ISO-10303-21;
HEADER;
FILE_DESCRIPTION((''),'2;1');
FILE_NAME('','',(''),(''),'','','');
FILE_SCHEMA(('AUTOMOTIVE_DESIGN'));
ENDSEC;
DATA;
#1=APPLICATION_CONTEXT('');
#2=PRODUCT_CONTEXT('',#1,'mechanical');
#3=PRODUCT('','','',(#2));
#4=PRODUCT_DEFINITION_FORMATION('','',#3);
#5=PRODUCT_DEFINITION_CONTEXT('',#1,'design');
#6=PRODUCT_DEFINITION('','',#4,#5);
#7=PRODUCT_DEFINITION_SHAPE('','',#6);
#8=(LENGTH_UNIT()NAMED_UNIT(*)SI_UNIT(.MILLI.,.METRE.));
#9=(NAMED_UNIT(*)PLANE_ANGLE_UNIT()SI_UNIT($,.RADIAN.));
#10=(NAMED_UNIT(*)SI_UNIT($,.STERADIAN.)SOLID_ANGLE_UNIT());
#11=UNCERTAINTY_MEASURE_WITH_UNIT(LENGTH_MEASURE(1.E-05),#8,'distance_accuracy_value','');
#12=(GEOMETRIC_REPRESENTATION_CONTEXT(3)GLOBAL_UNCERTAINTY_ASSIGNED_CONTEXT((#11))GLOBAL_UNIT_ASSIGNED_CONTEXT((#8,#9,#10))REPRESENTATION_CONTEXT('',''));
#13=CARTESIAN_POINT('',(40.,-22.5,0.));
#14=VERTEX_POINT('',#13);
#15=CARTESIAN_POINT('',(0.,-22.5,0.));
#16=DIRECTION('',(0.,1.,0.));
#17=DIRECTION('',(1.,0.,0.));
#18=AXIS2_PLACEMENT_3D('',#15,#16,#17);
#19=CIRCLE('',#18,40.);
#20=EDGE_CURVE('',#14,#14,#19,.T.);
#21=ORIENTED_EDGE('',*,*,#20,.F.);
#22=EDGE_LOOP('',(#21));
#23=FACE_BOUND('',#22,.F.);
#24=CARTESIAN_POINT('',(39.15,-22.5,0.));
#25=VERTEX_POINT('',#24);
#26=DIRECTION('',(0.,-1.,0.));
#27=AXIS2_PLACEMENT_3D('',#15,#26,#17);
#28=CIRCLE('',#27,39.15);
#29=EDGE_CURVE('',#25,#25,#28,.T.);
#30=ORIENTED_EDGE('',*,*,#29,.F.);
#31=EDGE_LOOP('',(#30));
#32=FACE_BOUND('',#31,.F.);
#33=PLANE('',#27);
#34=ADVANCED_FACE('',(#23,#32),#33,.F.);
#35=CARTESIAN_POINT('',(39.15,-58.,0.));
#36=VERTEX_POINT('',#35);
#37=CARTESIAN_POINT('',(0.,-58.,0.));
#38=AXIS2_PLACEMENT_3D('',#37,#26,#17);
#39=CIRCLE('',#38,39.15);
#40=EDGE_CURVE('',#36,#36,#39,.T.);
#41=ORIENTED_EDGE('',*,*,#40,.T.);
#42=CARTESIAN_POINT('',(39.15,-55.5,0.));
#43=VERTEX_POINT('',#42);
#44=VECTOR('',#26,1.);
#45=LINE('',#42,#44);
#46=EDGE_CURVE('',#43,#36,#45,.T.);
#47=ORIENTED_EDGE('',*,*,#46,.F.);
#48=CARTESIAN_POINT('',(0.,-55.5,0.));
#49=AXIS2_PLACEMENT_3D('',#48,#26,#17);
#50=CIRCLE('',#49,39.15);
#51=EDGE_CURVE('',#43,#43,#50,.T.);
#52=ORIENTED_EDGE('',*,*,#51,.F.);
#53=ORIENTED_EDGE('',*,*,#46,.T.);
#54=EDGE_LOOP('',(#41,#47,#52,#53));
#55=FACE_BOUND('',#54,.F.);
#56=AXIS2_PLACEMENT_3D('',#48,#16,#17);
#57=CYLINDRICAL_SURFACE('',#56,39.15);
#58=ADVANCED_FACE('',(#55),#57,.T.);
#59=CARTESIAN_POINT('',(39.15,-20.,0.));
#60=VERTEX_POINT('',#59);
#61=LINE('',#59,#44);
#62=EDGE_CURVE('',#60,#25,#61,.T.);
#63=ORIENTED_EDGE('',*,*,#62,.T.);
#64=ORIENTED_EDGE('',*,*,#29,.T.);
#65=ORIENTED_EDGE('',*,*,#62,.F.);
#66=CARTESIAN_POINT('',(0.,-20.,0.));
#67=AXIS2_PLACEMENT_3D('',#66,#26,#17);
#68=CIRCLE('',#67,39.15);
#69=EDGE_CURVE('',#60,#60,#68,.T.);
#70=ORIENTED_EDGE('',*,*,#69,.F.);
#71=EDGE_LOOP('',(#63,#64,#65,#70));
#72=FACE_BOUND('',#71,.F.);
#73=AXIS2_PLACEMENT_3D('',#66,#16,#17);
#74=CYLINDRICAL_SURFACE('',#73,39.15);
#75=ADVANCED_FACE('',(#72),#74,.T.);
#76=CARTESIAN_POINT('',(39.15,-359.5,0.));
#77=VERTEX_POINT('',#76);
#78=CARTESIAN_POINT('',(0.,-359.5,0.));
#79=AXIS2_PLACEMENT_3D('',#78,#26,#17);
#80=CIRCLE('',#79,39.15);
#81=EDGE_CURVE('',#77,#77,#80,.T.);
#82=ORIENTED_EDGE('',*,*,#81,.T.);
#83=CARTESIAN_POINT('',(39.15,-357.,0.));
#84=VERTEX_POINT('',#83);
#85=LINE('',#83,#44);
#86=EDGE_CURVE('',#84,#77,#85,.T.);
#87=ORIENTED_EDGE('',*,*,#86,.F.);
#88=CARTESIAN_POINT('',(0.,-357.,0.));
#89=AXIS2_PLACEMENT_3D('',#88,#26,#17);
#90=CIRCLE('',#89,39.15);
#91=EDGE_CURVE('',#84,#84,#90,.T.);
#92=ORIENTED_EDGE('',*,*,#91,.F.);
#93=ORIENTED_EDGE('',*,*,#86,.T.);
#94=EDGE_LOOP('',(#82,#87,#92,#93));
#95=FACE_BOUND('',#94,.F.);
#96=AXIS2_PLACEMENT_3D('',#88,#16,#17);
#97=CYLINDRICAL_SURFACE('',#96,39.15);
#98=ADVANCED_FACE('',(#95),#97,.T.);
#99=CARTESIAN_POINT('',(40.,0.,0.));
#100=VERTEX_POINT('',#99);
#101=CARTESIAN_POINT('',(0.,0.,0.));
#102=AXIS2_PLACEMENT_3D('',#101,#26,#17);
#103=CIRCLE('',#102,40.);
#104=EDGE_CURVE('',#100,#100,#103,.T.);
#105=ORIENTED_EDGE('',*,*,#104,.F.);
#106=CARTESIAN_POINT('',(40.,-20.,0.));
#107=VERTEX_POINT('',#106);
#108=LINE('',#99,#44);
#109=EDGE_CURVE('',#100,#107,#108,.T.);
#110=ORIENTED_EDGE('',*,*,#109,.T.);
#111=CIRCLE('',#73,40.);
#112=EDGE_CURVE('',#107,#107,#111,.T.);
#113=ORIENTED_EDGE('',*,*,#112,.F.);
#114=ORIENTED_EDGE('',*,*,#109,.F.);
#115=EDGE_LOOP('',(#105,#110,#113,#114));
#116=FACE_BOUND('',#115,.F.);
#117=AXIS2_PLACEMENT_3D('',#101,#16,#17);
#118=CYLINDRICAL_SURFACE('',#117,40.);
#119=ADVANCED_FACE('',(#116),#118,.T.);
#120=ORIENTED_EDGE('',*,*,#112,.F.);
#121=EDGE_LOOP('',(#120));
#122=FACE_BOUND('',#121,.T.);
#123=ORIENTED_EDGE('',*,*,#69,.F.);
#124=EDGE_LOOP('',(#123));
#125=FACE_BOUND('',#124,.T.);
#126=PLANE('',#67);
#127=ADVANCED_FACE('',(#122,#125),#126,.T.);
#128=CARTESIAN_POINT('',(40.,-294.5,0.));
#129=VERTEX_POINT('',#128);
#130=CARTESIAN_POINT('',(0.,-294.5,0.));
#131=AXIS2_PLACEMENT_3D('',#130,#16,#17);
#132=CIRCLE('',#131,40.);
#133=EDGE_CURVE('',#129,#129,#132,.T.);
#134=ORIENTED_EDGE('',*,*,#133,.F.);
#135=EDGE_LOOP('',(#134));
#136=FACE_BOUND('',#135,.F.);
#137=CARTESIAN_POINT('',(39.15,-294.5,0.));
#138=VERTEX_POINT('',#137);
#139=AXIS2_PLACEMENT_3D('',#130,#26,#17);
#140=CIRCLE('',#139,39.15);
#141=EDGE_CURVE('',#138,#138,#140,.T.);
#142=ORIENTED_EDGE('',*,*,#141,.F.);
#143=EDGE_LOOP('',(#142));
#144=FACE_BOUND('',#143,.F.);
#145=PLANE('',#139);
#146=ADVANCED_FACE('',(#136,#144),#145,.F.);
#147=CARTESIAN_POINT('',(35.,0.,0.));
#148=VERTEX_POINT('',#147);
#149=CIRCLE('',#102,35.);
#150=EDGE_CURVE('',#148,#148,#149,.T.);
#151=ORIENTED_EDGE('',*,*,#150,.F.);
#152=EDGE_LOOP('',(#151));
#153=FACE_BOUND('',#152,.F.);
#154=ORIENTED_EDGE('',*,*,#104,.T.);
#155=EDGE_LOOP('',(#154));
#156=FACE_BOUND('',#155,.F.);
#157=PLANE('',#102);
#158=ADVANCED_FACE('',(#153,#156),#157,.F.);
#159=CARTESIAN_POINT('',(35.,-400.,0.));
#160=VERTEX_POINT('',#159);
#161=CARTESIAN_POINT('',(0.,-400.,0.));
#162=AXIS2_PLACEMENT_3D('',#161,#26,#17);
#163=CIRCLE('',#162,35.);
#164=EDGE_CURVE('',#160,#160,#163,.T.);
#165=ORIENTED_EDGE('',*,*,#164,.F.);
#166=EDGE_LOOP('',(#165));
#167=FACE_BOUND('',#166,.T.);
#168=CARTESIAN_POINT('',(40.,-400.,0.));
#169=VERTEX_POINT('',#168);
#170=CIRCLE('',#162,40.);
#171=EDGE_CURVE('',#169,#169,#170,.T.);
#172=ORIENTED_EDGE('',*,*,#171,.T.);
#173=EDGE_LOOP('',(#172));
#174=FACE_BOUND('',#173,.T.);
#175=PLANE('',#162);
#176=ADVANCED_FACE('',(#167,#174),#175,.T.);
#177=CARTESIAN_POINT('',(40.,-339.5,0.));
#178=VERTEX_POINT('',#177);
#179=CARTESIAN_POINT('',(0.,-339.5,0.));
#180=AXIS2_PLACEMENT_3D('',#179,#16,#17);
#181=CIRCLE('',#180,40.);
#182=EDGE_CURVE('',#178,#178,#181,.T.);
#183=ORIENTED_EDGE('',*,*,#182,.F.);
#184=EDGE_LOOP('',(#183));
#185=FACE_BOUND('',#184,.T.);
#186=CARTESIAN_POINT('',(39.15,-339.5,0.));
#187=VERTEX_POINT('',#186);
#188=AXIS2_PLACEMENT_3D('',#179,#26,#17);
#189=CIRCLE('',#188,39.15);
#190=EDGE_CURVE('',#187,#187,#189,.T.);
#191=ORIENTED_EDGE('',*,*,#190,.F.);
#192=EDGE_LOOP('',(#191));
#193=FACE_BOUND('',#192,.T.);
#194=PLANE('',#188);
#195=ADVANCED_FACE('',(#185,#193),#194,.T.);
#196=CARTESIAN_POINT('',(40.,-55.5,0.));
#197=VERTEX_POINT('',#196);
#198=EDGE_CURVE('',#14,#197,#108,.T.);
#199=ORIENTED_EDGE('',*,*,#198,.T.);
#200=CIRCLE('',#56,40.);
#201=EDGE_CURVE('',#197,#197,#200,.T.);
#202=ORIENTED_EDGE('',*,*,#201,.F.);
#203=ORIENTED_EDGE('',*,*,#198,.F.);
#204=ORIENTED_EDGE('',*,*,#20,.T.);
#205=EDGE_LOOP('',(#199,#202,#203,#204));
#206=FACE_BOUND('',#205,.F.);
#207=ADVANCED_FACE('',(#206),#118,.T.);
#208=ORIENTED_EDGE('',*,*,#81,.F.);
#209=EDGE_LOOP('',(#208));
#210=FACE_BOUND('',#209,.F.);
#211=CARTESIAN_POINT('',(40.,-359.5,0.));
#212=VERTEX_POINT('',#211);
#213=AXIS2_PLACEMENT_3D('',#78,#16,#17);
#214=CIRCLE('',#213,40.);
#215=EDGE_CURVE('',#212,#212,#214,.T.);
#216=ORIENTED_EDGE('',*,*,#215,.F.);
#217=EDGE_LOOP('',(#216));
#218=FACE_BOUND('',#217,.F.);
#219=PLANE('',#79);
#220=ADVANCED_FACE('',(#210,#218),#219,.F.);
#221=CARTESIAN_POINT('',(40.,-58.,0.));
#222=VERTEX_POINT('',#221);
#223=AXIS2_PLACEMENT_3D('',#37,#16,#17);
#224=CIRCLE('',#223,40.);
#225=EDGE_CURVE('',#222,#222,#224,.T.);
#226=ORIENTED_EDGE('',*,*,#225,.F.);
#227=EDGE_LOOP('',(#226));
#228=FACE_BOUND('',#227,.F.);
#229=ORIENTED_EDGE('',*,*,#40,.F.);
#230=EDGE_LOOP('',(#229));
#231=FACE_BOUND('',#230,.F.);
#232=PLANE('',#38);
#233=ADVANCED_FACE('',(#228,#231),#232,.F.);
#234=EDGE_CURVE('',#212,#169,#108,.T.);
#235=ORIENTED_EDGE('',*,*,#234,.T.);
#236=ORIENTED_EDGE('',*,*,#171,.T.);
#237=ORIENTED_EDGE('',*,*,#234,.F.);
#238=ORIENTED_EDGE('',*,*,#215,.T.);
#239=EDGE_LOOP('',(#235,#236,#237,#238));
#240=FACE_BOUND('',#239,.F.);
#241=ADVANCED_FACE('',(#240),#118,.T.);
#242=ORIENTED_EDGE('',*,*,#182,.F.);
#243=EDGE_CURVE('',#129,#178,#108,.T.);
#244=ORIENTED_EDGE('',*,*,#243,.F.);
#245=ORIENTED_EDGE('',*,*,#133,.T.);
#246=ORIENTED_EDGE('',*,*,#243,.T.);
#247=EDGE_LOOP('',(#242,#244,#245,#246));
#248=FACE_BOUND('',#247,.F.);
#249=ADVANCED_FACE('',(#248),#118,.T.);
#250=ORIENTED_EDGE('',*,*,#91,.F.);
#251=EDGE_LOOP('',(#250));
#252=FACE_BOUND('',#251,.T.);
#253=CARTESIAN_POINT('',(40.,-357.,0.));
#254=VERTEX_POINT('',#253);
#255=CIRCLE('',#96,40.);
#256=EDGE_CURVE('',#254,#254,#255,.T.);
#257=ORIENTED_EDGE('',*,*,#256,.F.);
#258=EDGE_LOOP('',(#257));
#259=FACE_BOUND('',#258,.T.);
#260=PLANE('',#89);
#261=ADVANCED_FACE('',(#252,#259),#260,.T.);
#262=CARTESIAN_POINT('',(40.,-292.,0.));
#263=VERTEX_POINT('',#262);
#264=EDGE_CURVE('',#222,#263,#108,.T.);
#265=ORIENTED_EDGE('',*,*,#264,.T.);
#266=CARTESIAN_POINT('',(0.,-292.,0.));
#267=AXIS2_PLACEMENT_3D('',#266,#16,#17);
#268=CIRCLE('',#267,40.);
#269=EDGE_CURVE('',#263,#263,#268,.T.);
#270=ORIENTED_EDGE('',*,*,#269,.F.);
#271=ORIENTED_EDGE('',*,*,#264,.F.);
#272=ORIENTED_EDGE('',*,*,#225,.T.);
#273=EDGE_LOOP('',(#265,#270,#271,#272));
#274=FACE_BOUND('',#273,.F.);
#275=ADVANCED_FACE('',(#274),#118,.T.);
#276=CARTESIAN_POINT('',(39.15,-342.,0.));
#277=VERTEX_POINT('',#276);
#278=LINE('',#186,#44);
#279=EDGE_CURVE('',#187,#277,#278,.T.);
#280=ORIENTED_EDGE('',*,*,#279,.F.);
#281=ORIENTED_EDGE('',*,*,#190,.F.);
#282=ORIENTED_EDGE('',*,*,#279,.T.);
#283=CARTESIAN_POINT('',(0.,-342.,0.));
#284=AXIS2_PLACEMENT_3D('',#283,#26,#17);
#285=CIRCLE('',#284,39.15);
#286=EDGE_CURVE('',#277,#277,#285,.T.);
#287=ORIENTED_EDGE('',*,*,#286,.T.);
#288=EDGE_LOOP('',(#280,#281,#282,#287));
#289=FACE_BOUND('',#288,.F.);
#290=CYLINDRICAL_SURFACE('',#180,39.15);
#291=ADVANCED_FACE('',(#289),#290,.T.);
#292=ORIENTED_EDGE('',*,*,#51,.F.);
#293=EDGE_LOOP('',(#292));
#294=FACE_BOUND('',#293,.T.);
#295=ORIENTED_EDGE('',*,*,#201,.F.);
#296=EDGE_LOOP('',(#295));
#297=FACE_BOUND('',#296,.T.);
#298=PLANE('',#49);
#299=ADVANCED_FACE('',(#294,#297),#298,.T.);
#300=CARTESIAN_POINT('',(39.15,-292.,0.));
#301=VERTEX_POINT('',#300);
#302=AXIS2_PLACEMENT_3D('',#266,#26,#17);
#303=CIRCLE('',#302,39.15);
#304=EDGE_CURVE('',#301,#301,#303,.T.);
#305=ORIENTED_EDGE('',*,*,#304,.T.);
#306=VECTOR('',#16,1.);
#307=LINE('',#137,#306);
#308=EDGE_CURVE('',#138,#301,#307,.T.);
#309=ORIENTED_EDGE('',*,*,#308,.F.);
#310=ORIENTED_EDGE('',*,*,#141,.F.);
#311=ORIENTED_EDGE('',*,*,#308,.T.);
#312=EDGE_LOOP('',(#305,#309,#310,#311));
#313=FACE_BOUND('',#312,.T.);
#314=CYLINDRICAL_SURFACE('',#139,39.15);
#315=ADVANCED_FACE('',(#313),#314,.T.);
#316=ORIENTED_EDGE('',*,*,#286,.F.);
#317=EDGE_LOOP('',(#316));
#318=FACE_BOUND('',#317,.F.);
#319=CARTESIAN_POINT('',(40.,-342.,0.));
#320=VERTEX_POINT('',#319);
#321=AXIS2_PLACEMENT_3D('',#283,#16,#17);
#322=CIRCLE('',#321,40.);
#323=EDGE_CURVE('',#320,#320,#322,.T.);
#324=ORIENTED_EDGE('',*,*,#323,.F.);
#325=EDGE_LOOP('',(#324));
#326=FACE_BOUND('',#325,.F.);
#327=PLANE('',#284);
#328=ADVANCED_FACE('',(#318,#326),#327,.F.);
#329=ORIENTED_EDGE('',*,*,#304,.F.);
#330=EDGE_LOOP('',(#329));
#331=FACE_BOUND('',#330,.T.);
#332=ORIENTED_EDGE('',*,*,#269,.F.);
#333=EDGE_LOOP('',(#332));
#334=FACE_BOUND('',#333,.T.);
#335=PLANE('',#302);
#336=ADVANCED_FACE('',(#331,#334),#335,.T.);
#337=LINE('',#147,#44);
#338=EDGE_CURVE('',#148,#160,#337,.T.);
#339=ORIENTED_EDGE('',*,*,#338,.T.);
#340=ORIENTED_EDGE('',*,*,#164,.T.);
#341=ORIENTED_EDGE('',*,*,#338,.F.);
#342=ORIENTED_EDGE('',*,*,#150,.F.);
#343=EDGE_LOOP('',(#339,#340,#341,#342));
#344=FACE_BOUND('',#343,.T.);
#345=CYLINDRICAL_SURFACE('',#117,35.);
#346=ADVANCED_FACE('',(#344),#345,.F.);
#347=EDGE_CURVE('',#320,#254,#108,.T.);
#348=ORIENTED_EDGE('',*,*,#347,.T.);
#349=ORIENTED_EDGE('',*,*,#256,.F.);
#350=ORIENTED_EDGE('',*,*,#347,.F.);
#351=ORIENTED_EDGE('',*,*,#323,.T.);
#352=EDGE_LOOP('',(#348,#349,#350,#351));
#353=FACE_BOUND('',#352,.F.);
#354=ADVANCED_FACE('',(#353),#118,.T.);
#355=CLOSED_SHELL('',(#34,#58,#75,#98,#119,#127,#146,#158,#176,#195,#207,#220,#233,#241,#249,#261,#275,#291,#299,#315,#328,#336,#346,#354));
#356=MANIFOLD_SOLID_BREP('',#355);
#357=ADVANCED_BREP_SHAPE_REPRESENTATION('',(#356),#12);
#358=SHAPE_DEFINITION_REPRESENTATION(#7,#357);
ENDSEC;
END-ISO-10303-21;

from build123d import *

# Parameters (mm, degrees)
F0_R      = 40
F0_R_2    = 35
F1_DEPTH  = 400
F3_R      = 44
F3_R_2    = 39.15
F4_DEPTH  = 2.5
F6_R      = 42.5
F6_R_2    = 39.15
F7_DEPTH  = 2.5
F10_R     = 42.5
F10_R_2   = 39.15
F11_DEPTH = 2.5
F13_R     = 42.5
F13_R_2   = 39.15
F14_DEPTH = 2.5
F16_R     = 44
F16_R_2   = 39.15
F17_DEPTH = 2.5
F19_R     = 44
F19_R_2   = 39.15
F20_DEPTH = 2.5
F22_R     = 42.5
F22_R_2   = 39.15
F23_DEPTH = 2.5
F25_R     = 44
F25_R_2   = 39.15
F26_DEPTH = 2.5
F28_R     = 44
F28_R_2   = 39.15
F29_DEPTH = 2.5


with BuildPart() as f1:
    # F0 (on Front) → F1 (new body)
    with BuildSketch(Plane.XZ):
        Circle(F0_R)
        Circle(F0_R_2, mode=Mode.SUBTRACT)
    extrude(amount=F1_DEPTH)

    # F3 (on offset) → F4 (cut)
    with BuildSketch(Plane.XZ.offset(20)):
        Circle(F3_R)
        Circle(F3_R_2, mode=Mode.SUBTRACT)
    extrude(amount=F4_DEPTH, mode=Mode.SUBTRACT)

    # F6 (on offset) → F7 (cut)
    with BuildSketch(Plane.XZ.offset(55.5)):
        Circle(F6_R)
        Circle(F6_R_2, mode=Mode.SUBTRACT)
    extrude(amount=F7_DEPTH, mode=Mode.SUBTRACT)

    # F10 (on offset) → F11 (cut)
    with BuildSketch(Plane.XZ.offset(480)):
        Circle(F10_R)
        Circle(F10_R_2, mode=Mode.SUBTRACT)
    extrude(amount=-F11_DEPTH, mode=Mode.SUBTRACT)

    # F13 (on offset) → F14 (cut)
    with BuildSketch(Plane.XZ.offset(444.5)):
        Circle(F13_R)
        Circle(F13_R_2, mode=Mode.SUBTRACT)
    extrude(amount=-F14_DEPTH, mode=Mode.SUBTRACT)

    # F16 (on offset) → F17 (cut)
    with BuildSketch(Plane.XZ.offset(590)):
        Circle(F16_R)
        Circle(F16_R_2, mode=Mode.SUBTRACT)
    extrude(amount=-F17_DEPTH, mode=Mode.SUBTRACT)

    # F19 (on offset) → F20 (cut)
    with BuildSketch(Plane.XZ.offset(600)):
        Circle(F19_R)
        Circle(F19_R_2, mode=Mode.SUBTRACT)
    extrude(amount=-F20_DEPTH, mode=Mode.SUBTRACT)

    # F22 (on offset) → F23 (cut)
    with BuildSketch(Plane.XZ.offset(294.5)):
        Circle(F22_R)
        Circle(F22_R_2, mode=Mode.SUBTRACT)
    extrude(amount=-F23_DEPTH, mode=Mode.SUBTRACT)

    # F25 (on offset) → F26 (cut)
    with BuildSketch(Plane.XZ.offset(357)):
        Circle(F25_R)
        Circle(F25_R_2, mode=Mode.SUBTRACT)
    extrude(amount=F26_DEPTH, mode=Mode.SUBTRACT)

    # F28 (on offset) → F29 (cut)
    with BuildSketch(Plane.XZ.offset(339.5)):
        Circle(F28_R)
        Circle(F28_R_2, mode=Mode.SUBTRACT)
    extrude(amount=F29_DEPTH, mode=Mode.SUBTRACT)


solid = f1.part
